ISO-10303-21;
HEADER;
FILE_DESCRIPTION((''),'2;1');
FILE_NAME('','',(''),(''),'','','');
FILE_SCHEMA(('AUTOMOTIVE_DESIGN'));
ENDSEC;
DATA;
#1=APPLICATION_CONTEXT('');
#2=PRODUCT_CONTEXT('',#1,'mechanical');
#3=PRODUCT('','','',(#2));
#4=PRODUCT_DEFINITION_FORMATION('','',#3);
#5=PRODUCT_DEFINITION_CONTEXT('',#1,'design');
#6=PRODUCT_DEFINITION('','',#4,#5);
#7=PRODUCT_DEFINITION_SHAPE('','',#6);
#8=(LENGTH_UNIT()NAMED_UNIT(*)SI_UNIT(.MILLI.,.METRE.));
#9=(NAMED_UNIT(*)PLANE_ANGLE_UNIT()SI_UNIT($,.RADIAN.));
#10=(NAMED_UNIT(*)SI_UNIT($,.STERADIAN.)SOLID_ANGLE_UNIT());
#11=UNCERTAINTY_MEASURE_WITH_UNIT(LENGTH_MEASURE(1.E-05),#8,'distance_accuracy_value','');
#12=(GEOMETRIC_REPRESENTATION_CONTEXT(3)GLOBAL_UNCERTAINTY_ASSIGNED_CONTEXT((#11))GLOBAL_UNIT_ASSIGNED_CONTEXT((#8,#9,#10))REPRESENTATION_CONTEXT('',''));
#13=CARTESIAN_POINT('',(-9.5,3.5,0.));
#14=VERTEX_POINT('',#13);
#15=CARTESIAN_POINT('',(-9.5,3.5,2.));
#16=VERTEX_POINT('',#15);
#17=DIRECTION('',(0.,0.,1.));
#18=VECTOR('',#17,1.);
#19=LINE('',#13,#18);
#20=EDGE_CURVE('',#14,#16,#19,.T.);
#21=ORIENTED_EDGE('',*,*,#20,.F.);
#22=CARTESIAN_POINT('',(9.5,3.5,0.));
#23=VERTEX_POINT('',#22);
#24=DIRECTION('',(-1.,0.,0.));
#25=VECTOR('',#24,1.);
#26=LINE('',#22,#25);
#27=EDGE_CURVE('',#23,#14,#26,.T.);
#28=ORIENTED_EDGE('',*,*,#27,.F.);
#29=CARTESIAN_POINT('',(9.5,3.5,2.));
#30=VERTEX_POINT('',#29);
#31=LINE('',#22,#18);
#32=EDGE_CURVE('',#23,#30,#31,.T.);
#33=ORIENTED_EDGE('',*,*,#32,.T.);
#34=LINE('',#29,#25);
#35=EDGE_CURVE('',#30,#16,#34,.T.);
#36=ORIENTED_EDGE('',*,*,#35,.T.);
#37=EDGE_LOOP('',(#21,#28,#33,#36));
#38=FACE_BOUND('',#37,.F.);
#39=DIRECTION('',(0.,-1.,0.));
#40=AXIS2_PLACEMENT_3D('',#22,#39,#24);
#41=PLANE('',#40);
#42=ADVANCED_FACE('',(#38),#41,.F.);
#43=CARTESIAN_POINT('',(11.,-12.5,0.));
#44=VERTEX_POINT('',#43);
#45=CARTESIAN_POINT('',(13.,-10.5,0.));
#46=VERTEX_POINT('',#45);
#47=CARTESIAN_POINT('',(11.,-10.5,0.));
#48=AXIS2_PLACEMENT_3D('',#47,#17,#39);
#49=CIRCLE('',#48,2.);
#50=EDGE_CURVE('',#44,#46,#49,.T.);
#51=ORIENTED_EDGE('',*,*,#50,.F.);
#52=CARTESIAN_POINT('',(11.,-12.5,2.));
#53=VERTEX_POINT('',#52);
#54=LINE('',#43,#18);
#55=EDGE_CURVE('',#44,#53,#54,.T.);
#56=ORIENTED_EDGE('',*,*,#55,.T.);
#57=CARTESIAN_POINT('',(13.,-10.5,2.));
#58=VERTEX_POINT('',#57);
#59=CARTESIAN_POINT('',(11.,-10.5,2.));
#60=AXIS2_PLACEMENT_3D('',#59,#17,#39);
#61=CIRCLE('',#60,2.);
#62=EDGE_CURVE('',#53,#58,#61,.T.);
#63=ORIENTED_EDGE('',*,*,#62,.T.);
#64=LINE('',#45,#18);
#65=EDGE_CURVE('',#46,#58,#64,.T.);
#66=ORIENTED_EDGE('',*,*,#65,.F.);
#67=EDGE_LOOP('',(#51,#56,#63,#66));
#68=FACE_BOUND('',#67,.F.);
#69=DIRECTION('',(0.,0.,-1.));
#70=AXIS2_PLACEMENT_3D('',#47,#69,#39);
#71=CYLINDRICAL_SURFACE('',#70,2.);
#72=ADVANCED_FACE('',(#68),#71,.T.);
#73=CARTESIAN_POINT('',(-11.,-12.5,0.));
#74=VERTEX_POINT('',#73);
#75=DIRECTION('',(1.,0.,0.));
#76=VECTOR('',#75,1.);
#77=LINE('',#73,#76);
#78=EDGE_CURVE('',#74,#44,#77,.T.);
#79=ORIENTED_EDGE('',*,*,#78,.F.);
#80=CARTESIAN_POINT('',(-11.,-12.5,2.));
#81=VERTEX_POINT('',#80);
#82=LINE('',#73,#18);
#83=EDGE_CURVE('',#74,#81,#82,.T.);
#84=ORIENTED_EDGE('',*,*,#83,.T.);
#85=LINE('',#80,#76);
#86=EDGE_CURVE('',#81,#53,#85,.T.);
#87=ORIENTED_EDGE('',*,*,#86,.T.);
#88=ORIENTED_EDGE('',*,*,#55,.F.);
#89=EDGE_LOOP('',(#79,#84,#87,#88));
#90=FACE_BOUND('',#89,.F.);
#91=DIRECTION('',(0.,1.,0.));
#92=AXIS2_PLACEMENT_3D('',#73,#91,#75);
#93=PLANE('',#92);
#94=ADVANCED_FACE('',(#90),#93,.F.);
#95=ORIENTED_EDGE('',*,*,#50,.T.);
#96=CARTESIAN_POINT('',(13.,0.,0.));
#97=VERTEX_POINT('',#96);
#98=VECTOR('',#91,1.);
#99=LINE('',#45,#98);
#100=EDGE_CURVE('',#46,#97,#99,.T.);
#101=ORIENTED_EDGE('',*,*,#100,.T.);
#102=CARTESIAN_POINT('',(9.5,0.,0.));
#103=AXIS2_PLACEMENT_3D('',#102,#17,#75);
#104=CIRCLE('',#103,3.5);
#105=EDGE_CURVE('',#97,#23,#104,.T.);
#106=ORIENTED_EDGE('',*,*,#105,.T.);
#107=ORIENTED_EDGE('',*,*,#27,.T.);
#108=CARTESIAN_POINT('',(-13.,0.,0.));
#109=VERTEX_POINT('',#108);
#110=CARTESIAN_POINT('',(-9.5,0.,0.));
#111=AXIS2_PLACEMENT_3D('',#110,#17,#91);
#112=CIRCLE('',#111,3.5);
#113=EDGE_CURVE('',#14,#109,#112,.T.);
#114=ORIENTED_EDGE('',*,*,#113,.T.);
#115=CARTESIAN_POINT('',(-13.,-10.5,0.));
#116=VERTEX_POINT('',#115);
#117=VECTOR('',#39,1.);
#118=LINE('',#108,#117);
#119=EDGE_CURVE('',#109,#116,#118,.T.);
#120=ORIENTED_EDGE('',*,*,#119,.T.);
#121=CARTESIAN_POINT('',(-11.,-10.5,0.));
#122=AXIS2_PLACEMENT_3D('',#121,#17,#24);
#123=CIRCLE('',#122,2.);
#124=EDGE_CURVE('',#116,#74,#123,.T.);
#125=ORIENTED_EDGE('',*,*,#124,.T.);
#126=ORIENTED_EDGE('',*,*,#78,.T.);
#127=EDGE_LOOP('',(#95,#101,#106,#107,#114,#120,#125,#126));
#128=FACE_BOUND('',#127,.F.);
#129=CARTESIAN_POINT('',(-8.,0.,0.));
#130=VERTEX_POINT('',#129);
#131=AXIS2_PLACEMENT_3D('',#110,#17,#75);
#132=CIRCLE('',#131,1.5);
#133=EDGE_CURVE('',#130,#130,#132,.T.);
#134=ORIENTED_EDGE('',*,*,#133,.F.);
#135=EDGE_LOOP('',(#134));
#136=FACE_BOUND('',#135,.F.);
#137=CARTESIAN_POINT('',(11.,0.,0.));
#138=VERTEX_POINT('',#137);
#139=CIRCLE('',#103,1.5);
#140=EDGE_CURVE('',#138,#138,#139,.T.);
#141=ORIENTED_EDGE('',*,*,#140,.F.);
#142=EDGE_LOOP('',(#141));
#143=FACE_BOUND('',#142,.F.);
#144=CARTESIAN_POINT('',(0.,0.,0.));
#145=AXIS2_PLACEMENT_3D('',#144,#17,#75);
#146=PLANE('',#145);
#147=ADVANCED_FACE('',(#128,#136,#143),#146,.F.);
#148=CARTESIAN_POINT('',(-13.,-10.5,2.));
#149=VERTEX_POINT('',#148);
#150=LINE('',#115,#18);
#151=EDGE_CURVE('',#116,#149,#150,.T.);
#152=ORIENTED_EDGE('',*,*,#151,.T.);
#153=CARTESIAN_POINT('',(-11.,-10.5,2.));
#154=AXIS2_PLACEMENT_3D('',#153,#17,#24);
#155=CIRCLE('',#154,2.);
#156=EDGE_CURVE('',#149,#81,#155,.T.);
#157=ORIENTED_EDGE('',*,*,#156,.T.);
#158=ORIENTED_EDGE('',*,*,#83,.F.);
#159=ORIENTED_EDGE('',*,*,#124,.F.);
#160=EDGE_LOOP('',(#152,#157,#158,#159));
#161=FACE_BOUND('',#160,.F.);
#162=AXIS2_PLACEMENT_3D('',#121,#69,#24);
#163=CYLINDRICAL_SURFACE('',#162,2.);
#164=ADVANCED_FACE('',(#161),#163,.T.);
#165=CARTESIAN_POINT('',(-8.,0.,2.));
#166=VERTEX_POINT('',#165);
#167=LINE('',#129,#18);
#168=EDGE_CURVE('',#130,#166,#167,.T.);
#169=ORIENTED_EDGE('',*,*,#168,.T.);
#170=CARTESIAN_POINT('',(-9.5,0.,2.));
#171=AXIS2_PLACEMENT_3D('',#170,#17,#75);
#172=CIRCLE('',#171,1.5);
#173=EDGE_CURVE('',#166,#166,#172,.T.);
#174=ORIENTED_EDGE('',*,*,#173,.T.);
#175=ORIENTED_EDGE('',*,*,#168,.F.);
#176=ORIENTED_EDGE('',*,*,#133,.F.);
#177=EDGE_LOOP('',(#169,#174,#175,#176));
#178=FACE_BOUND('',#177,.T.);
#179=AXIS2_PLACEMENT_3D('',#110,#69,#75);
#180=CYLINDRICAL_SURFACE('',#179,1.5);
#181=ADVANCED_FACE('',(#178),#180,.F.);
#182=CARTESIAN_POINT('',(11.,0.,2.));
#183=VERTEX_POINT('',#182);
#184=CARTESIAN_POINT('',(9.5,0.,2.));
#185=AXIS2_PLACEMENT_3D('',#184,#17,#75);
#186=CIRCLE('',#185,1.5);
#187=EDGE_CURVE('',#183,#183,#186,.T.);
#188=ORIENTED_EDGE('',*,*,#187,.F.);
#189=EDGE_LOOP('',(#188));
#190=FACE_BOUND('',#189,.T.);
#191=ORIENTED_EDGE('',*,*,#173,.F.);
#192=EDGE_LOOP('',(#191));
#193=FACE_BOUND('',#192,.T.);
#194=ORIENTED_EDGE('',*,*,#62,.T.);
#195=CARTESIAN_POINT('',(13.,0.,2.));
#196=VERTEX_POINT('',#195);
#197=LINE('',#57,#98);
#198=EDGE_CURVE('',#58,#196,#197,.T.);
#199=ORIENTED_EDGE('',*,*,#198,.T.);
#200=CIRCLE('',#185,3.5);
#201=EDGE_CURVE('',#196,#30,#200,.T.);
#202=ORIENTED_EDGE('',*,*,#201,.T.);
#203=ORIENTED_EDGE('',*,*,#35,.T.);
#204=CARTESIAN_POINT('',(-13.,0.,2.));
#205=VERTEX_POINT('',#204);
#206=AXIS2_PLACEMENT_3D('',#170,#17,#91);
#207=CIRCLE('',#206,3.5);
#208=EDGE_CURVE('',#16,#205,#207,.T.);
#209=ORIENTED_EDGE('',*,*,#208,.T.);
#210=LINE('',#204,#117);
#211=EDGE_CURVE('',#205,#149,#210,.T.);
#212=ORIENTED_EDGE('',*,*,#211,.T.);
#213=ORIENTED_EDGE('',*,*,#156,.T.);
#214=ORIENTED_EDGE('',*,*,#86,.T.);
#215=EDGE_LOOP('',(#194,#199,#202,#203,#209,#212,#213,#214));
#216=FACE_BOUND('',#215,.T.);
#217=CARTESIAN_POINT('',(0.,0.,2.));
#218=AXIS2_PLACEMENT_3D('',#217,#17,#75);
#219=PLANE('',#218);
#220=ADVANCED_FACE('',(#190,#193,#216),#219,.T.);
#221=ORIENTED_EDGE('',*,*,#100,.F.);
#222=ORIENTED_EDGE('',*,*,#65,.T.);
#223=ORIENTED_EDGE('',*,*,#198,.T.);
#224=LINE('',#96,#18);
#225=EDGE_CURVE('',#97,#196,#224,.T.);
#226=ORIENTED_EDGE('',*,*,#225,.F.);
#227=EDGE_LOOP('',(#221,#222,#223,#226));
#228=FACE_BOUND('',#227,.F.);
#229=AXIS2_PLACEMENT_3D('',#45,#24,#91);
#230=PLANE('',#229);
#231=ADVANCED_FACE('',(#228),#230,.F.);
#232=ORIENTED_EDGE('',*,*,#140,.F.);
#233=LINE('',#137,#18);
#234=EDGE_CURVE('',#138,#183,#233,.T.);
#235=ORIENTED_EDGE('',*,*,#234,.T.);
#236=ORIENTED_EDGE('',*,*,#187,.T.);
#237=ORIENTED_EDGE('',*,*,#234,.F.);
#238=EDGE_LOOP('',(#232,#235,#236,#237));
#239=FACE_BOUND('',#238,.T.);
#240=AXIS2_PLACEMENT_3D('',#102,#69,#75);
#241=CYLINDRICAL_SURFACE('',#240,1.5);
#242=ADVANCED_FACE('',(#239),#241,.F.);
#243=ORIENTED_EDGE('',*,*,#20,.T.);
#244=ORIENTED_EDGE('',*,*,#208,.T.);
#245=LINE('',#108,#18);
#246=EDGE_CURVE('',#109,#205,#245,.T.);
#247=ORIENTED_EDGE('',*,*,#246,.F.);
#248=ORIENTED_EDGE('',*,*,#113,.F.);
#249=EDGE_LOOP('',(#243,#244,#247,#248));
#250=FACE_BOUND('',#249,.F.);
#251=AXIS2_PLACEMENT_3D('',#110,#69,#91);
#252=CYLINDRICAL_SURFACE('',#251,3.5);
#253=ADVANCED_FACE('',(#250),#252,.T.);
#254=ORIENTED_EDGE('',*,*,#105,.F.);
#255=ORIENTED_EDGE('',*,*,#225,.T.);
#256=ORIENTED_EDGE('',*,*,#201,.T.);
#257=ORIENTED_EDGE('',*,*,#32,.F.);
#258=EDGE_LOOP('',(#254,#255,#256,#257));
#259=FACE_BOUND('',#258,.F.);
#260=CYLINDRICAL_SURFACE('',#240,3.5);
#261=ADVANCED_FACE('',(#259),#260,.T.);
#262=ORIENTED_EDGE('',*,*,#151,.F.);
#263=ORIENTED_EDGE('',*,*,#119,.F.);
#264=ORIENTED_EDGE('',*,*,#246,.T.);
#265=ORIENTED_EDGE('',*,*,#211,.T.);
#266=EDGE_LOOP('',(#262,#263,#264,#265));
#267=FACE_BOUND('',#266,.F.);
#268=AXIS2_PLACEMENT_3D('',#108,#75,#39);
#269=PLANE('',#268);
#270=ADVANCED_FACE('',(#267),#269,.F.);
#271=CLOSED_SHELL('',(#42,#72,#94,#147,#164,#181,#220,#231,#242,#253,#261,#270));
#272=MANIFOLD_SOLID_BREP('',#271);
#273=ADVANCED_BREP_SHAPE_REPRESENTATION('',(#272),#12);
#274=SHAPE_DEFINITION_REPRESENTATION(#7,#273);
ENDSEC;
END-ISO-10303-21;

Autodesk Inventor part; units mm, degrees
ref_plane "YZ Plane" through (0, 0, 0) normal (1, 0, 0) x (0, 1, 0)
ref_plane "XZ Plane" through (0, 0, 0) normal (0, 1, 0) x (-1, 0, 0)
ref_plane "XY Plane" through (0, 0, 0) normal (0, 0, 1) x (1, 0, 0)
sketch "Sketch1" plane through (0, 0, 0) normal (0, 0, 1) x (1, 0, 0)
  circle A0 centre (-9.5, 0) radius 1.5
  circle A1 centre (9.5, 0) radius 1.5
  line L0 (8, 3.8632) -> (8, -14.6027) construction
  line L1 (11, -2.0672) -> (11, -20.5331) construction
  line L2 (-8, 0.17) -> (-8, -13.1822) construction
  line L3 (-11, -0.1851) -> (-11, -13.1822) construction
  line L4 (19.0881, 0) -> (-23.3125, 0) construction
  arc A2 (-9.5, 3.5) -> (-13, 0) centre (-9.5, 0) ccw
  arc A3 (13, 0) -> (9.5, 3.5) centre (9.5, 0) ccw
  line L5 (9.5, 3.5) -> (-9.5, 3.5)
  line L6 (-14.1747, 14.7489) -> (-2.6119, 14.7489) construction
  line L7 (-2.6119, 14.7489) -> (-2.6119, 6.4897) construction
  line L8 (-2.6119, 6.4897) -> (-14.1747, 6.4897) construction
  line L9 (-14.1747, 6.4897) -> (-14.1747, 14.7489) construction
  line L10 (-13, 0) -> (-13, -10.5)
  line L11 (-11, -12.5) -> (11, -12.5)
  line L12 (13, -10.5) -> (13, 0)
  arc A4 (-13, -10.5) -> (-11, -12.5) centre (-11, -10.5) ccw
  arc A5 (11, -12.5) -> (13, -10.5) centre (11, -10.5) ccw
  point P0 (0, 0)
  dimension "d0" = 3
  dimension "d1" = 3
  dimension "d2" = 16
  dimension "d3" = 22
  dimension "d6" = 9.5
  dimension "d7" = 2
  dimension "d8" = 2
  dimension "d9" = 16
  dimension "d10" = 2
extrude "Extrusion1" add sketch "Sketch1" along normal blind 2
equation "\"d0\" = d1"
properties part number "XY-Endstop holder"
